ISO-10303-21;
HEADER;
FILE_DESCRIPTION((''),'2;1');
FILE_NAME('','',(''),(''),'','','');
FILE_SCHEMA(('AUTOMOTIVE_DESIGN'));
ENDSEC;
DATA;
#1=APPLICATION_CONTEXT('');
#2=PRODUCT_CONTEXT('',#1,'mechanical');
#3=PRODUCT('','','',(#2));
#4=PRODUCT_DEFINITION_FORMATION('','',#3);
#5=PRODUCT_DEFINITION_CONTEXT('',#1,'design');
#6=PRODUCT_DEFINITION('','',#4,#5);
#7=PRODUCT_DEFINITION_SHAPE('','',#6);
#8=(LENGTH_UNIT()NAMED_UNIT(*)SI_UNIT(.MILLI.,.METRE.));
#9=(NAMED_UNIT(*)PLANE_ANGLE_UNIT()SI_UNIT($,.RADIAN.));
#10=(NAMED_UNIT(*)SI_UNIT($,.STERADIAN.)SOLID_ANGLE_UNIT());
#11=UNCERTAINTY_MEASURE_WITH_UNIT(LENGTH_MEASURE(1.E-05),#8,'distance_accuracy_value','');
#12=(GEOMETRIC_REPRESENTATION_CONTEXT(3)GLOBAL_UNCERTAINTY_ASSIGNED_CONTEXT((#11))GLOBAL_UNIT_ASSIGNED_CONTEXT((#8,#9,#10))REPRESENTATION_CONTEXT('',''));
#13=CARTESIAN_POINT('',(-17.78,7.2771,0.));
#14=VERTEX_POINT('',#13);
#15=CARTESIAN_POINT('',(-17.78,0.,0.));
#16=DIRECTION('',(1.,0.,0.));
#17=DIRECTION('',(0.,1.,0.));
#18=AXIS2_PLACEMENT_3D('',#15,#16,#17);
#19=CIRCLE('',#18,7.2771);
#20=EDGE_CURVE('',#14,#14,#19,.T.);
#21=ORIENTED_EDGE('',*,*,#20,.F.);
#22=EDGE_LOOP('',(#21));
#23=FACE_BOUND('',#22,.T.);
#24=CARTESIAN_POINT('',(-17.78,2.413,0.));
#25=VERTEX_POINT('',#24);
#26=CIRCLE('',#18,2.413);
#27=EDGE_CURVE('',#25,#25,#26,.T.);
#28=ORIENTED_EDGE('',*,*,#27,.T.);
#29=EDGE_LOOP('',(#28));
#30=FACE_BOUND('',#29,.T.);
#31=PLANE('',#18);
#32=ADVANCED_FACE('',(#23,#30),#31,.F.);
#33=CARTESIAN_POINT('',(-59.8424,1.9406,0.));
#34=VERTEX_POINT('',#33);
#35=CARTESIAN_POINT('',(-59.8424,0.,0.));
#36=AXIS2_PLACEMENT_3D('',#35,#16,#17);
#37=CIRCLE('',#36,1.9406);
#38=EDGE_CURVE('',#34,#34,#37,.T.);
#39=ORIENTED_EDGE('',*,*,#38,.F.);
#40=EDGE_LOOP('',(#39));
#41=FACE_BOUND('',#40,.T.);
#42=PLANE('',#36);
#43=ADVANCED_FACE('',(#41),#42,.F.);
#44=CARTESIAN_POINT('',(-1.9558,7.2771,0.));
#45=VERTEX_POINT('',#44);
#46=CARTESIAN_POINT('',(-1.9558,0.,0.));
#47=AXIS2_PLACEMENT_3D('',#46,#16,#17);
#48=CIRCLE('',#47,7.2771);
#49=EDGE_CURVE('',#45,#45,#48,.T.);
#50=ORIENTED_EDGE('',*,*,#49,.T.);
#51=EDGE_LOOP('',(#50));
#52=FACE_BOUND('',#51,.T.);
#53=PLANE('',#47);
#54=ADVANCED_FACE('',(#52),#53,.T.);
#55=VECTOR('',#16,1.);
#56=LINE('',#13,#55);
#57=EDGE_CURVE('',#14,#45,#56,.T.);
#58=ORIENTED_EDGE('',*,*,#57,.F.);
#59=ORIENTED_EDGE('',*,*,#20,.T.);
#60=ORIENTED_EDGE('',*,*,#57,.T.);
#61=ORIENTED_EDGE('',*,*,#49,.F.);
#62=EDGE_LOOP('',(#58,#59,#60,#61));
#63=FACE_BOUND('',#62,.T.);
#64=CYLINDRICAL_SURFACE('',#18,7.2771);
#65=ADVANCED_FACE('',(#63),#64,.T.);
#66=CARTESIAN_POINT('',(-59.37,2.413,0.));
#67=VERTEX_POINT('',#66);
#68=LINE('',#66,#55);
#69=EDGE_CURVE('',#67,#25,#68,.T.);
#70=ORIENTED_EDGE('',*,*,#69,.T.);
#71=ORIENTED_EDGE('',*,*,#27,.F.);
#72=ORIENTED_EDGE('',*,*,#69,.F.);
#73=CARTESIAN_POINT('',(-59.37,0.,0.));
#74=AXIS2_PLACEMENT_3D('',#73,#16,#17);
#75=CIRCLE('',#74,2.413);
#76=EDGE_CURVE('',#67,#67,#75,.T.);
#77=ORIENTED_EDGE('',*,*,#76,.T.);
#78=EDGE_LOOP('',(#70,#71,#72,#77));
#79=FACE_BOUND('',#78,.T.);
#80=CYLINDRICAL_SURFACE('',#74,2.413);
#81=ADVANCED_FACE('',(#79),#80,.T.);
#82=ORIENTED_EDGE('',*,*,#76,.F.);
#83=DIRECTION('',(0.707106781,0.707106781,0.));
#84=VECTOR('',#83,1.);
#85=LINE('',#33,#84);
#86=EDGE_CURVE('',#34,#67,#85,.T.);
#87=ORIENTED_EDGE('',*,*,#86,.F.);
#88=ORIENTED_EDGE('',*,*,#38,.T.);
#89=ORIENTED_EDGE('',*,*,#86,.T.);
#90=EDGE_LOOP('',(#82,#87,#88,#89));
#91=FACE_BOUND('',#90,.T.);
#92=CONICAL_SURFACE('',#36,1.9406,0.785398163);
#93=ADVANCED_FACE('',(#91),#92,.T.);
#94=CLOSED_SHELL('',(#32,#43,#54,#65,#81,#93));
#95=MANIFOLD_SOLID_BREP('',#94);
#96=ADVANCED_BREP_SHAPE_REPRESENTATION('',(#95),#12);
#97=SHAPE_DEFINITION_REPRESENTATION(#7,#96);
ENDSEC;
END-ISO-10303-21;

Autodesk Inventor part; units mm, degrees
sketch "Sketch_5" plane through (0, 0, 0) normal (0, 0, 1) x (1, 0, 0)
  line L0 (-9.525, 0) -> (-59.8424, 0)
  line L1 (-59.8424, 0) -> (-59.8424, 1.9406)
  line L2 (-59.8424, 1.9406) -> (-59.37, 2.413)
  line L3 (-59.37, 2.413) -> (-9.525, 2.413)
  line L4 (-9.525, 2.413) -> (-9.525, 0)
  line L5 (-9.525, 0) -> (-59.8424, 0)
revolve "Revolution1" add sketch "Sketch_5" angle 360 about axis through (-9.525, 0, 0) along (1, 0, 0)
sketch "Sketch_14" plane through (0, 0, 0) normal (0, 0, 1) x (1, 0, 0)
  line L0 (-1.9558, 0) -> (-17.78, 0)
  line L1 (-17.78, 0) -> (-17.78, 7.2771)
  line L2 (-17.78, 7.2771) -> (-1.9558, 7.2771)
  line L3 (-1.9558, 7.2771) -> (-1.9558, 0)
  line L4 (-1.9558, 0) -> (-17.78, 0)
revolve "Revolution2" add sketch "Sketch_14" angle 360 about axis through (-1.9558, 0, 0) along (1, 0, 0)
ref_plane "h1_XY" through (-59.8424, 0, 0) normal (0, 1, 0) x (1, 0, 0)
ref_plane "h1_YZ" through (-59.8424, 0, 0) normal (1, 0, 0) x (0, 0, -1)
ref_plane "h1_ZX" through (-59.8424, 0, 0) normal (0, 0, -1) x (0, 1, 0)
ref_plane "h2_XY" through (-59.8424, 0, 0) normal (0, 1, 0) x (1, 0, 0)
ref_plane "h2_YZ" through (-59.8424, 0, 0) normal (1, 0, 0) x (0, 0, -1)
ref_plane "h2_ZX" through (-59.8424, 0, 0) normal (0, 0, -1) x (0, 1, 0)
ref_plane "k1_XY" through (-59.8424, 0, -2.413) normal (0, 1, 0) x (1, 0, 0)
ref_plane "k1_YZ" through (-59.8424, 0, -2.413) normal (1, 0, 0) x (0, 0, -1)
ref_plane "k1_ZX" through (-59.8424, 0, -2.413) normal (0, 0, -1) x (0, 1, 0)
ref_plane "k2_XY" through (-59.8424, 0, 2.413) normal (0, 1, 0) x (1, 0, 0)
ref_plane "k2_YZ" through (-59.8424, 0, 2.413) normal (1, 0, 0) x (0, 0, -1)
ref_plane "k2_ZX" through (-59.8424, 0, 2.413) normal (0, 0, -1) x (0, 1, 0)
ref_plane "start_XY" through (-47.1424, 0, 0) normal (0, 1, 0) x (1, 0, 0)
ref_plane "start_YZ" through (-47.1424, 0, 0) normal (1, 0, 0) x (0, 0, -1)
ref_plane "start_ZX" through (-47.1424, 0, 0) normal (0, 0, -1) x (0, 1, 0)
ref_plane "to_prc_XY" through (-59.8424, 0, 0) normal (1, 0, 0) x (0, 0, -1)
ref_plane "to_prc_YZ" through (-59.8424, 0, 0) normal (0, 0, -1) x (0, 1, 0)
ref_plane "to_prc_ZX" through (-59.8424, 0, 0) normal (0, 1, 0) x (1, 0, 0)
ref_plane "to_rod_guide_XY" through (-59.8424, 0, 0) normal (1, 0, 0) x (0, 0, -1)
ref_plane "to_rod_guide_YZ" through (-59.8424, 0, 0) normal (0, 0, -1) x (0, 1, 0)
ref_plane "to_rod_guide_ZX" through (-59.8424, 0, 0) normal (0, 1, 0) x (1, 0, 0)
properties part number "D-95380.5-2XP-2.356-3pos"
